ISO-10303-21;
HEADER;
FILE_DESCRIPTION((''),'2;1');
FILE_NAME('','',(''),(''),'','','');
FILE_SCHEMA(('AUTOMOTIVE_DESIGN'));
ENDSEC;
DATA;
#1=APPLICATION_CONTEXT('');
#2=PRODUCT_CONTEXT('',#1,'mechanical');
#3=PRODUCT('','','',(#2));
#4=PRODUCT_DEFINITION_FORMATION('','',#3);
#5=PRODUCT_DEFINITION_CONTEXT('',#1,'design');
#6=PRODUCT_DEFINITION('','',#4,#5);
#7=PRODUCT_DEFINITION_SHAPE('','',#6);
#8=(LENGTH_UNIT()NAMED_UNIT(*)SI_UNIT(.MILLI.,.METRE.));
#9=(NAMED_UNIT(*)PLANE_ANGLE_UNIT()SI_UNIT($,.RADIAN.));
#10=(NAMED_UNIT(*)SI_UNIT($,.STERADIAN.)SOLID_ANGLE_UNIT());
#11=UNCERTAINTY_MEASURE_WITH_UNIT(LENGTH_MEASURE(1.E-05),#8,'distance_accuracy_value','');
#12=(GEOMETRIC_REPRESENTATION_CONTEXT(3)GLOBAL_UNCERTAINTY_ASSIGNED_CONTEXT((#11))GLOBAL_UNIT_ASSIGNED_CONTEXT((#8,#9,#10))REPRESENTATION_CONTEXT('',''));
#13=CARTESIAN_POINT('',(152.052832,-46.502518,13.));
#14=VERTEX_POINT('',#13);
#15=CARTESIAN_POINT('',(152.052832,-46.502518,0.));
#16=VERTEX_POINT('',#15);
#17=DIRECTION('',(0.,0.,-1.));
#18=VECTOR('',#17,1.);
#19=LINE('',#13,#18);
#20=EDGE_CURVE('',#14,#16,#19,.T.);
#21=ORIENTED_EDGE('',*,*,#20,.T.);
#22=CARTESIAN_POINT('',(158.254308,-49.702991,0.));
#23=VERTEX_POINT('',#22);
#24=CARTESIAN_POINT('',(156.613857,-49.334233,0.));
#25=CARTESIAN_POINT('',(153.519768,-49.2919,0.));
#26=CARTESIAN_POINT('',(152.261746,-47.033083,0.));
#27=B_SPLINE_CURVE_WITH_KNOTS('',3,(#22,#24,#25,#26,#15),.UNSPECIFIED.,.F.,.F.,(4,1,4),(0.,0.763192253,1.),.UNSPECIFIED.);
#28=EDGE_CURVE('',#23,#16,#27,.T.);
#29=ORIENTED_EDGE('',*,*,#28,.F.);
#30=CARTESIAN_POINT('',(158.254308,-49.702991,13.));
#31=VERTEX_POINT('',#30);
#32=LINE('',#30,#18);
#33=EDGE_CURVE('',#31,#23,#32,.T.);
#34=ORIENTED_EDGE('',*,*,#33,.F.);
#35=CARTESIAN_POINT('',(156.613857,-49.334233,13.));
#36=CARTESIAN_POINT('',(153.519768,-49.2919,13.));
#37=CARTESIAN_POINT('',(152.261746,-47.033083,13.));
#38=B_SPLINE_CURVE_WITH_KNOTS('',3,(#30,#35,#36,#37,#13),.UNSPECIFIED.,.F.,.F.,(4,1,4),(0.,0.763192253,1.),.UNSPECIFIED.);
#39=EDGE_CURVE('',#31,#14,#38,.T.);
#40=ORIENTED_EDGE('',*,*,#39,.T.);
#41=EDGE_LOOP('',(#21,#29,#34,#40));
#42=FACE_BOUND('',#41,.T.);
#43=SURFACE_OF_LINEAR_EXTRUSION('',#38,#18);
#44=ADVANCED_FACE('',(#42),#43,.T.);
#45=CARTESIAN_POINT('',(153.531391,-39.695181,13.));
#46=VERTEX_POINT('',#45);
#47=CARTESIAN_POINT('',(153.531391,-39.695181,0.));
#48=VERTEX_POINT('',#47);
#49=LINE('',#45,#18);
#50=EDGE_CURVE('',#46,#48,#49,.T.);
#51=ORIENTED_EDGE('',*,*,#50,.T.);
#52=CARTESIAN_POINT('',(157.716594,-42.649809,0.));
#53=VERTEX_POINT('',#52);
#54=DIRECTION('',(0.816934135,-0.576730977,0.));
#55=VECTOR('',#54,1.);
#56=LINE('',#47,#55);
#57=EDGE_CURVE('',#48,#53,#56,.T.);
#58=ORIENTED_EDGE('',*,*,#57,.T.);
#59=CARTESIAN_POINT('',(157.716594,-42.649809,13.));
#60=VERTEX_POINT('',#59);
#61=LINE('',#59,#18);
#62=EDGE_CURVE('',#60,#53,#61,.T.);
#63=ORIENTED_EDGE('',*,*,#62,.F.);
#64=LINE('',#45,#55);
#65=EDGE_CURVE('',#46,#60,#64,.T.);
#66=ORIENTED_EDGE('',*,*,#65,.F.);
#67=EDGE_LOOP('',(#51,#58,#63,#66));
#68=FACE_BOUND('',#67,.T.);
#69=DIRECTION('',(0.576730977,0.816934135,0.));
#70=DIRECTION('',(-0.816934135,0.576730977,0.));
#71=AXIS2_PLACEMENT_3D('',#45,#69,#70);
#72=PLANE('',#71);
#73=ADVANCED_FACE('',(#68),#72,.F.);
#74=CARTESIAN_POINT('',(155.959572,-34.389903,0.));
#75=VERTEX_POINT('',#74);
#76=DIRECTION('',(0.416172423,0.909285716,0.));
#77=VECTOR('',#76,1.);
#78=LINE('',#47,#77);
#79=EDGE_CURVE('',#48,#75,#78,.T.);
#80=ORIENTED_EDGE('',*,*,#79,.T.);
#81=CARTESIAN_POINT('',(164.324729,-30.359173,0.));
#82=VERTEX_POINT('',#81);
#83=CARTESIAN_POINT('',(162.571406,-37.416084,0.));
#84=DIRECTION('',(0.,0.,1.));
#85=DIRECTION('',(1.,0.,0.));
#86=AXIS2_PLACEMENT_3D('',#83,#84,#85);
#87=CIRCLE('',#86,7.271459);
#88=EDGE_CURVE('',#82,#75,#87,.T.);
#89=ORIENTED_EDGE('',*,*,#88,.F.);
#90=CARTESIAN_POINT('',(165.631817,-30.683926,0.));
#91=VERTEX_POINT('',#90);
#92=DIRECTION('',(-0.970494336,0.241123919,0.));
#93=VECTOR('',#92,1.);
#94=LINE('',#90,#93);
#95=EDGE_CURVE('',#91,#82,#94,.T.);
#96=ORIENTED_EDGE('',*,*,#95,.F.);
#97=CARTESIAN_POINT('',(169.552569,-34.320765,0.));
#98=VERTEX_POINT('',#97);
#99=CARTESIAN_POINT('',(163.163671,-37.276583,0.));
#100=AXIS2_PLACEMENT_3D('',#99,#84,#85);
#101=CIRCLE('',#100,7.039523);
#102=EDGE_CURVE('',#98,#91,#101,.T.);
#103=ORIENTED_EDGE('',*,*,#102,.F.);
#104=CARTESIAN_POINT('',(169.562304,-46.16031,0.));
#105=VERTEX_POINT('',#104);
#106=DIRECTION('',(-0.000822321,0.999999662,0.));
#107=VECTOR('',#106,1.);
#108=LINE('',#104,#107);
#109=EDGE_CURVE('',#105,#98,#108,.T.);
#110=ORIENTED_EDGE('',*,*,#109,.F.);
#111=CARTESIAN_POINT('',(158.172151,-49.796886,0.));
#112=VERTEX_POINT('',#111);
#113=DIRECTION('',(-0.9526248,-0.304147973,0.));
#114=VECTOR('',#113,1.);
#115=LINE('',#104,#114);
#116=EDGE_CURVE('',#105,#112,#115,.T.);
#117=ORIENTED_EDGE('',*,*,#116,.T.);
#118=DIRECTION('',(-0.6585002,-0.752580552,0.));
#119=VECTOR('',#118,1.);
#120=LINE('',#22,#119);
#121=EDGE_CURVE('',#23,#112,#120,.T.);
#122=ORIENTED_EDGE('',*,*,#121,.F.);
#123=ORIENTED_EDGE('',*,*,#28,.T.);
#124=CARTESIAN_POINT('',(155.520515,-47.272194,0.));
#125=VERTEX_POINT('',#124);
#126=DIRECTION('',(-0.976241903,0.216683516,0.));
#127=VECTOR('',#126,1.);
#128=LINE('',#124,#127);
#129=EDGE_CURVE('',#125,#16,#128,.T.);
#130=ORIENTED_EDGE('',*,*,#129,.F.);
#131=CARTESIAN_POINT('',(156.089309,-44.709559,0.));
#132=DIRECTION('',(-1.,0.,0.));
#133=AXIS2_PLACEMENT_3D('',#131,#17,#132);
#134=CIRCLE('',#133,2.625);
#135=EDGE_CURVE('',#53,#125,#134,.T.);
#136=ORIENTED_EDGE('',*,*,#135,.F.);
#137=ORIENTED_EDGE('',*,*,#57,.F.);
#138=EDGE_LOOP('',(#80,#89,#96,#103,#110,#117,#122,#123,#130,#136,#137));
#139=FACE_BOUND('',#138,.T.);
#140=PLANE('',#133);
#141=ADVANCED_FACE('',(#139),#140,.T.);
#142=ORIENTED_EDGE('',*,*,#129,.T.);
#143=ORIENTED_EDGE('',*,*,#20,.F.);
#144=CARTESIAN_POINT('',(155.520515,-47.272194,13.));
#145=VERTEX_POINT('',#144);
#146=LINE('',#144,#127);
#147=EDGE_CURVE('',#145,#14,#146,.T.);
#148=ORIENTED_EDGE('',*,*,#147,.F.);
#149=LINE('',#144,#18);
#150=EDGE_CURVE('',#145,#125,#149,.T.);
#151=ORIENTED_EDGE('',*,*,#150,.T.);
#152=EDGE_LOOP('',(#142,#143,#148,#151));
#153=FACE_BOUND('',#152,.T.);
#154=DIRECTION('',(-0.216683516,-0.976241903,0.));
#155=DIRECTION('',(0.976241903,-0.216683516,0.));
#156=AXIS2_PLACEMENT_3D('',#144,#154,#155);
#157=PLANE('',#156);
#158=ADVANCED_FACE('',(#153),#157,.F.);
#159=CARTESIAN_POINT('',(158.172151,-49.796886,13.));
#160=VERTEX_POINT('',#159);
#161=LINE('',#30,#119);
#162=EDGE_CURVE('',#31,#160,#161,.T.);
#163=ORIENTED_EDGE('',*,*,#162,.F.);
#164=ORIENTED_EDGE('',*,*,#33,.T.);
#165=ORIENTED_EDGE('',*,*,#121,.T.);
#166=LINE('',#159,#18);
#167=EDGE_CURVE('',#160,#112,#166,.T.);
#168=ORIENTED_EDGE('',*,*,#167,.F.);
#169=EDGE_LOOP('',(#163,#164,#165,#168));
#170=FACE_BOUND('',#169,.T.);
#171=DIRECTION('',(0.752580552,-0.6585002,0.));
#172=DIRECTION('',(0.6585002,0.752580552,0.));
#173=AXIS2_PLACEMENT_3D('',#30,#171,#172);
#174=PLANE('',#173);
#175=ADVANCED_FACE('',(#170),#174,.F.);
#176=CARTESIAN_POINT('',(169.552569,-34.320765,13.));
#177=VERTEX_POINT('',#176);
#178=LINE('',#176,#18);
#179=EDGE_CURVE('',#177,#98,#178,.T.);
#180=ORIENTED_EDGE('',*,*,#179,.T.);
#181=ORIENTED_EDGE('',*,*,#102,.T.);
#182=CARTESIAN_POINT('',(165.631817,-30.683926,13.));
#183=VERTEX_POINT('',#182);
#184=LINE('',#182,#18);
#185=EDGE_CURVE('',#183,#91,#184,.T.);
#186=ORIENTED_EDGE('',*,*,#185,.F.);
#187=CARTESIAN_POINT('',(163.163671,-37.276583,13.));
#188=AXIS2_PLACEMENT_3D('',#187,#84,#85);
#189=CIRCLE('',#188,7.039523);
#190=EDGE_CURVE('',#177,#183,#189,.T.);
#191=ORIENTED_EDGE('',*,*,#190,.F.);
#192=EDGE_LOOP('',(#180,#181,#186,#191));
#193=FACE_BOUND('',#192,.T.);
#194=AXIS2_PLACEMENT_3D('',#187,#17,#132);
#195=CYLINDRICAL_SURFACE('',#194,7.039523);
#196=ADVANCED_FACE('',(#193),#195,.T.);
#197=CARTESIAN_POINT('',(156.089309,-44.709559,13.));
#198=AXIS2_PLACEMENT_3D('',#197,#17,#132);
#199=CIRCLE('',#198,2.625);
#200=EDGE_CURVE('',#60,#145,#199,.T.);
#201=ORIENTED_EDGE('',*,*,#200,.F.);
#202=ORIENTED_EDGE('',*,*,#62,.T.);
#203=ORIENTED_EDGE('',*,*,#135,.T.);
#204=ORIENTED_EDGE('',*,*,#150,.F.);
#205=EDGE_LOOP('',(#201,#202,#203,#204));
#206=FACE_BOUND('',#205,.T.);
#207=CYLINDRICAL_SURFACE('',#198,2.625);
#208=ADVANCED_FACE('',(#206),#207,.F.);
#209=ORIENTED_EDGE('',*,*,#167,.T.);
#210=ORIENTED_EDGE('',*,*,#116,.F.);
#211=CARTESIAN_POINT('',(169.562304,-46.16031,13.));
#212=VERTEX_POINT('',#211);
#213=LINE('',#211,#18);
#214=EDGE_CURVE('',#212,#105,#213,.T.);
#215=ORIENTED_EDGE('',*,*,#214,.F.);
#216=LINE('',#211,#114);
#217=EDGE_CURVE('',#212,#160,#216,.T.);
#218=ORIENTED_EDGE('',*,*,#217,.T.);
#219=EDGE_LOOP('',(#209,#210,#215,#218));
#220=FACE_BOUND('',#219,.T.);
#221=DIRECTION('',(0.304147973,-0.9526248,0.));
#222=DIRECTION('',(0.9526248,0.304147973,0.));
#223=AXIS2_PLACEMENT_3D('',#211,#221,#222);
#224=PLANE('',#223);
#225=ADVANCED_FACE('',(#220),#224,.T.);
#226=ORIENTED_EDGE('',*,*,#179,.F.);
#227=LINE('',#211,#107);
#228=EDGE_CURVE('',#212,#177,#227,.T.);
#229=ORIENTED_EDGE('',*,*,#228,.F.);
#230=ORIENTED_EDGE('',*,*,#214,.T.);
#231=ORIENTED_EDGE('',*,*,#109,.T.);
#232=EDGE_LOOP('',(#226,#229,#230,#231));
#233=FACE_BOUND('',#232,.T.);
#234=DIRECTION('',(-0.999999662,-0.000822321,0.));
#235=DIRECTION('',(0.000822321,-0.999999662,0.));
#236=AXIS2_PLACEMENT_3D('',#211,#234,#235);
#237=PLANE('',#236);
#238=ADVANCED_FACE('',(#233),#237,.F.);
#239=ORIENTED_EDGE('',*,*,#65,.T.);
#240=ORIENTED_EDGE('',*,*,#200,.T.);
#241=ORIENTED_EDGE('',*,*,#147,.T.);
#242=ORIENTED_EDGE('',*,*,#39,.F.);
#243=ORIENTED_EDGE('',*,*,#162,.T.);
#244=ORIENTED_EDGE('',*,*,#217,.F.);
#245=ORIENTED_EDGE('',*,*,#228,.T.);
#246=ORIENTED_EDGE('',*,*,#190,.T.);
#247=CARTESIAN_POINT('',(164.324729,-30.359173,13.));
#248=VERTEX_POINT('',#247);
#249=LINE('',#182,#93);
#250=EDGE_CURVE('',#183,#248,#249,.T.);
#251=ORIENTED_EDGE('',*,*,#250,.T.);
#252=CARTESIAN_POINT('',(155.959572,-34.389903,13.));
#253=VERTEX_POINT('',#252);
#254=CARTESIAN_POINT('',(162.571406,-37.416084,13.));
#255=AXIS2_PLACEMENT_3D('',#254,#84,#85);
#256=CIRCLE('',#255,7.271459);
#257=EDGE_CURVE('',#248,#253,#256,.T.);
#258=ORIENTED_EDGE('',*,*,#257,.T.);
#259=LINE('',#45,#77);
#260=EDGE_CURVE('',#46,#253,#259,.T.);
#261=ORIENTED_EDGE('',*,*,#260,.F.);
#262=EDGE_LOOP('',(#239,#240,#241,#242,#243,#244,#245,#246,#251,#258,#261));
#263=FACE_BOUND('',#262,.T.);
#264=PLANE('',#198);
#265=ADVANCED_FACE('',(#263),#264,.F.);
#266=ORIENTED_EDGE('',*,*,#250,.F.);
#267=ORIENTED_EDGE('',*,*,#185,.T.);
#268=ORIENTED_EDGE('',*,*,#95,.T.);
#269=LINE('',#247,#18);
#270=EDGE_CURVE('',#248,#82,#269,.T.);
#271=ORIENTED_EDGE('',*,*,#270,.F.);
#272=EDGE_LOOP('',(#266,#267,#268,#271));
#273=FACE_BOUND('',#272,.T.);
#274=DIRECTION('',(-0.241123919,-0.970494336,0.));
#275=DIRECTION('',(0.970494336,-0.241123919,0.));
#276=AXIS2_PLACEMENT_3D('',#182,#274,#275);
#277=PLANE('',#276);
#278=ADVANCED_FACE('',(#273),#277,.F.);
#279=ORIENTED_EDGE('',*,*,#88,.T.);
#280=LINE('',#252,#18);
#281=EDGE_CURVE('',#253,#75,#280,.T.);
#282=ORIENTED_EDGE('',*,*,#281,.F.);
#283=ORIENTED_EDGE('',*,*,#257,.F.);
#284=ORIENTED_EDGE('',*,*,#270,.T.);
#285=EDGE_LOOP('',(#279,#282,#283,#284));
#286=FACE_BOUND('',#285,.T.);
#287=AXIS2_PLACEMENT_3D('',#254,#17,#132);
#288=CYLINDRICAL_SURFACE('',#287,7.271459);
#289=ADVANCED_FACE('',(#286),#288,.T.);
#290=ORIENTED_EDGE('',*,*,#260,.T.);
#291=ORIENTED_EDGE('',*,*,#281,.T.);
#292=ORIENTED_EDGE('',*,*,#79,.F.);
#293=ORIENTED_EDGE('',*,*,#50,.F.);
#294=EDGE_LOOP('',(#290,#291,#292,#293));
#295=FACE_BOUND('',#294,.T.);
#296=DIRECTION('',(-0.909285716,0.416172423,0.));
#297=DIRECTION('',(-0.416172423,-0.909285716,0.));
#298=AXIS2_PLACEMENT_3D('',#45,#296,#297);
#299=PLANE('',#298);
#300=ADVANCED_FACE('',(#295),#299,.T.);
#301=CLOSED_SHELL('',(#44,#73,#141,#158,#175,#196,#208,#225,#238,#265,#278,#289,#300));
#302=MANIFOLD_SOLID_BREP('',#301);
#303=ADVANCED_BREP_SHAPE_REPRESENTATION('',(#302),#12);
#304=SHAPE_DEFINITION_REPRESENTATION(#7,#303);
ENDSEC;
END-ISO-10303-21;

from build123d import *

# Parameters (mm, degrees)
BOSS_EXTRUDE1_DEPTH = 13


with BuildPart() as part:
    # Sketch1 → Boss-Extrude1 (new body)
    with BuildSketch(Plane.XY):
        with BuildLine():
            Line((169.562304459, -46.160309931), (169.552568547, -34.320764913))
            ThreePointArc((169.552568547, -34.320764913), (167.950993273, -32.115534783), (165.631816979, -30.683925688))
            Line((165.631816979, -30.683925688), (164.32472896, -30.359173472))
            ThreePointArc((164.32472896, -30.359173472), (159.414987624, -30.865423823), (155.959571946, -34.389902778))
            Line((155.959571946, -34.389902778), (153.531390597, -39.695181294))
            Line((153.531390597, -39.695181294), (157.716593531, -42.649808935))
            ThreePointArc((157.716593531, -42.649808935), (158.460324124, -45.836019732), (155.520515025, -47.27219413))
            Line((155.520515025, -47.27219413), (152.052832095, -46.502518371))
            add(Edge.make_bspline(
                [(158.254307893, -49.702990605), (156.613856565, -49.334233495), (153.519768391, -49.291899755), (152.26174626, -47.033082798), (152.052832095, -46.502518371)],
                knots=[0, 0, 0, 0, 0.763192253, 1, 1, 1, 1], degree=3))
            Line((158.254307893, -49.702990605), (158.172150747, -49.796885596))
            Line((158.172150747, -49.796885596), (169.562304459, -46.160309931))
        make_face()
    extrude(amount=BOSS_EXTRUDE1_DEPTH)


solid = part.part
